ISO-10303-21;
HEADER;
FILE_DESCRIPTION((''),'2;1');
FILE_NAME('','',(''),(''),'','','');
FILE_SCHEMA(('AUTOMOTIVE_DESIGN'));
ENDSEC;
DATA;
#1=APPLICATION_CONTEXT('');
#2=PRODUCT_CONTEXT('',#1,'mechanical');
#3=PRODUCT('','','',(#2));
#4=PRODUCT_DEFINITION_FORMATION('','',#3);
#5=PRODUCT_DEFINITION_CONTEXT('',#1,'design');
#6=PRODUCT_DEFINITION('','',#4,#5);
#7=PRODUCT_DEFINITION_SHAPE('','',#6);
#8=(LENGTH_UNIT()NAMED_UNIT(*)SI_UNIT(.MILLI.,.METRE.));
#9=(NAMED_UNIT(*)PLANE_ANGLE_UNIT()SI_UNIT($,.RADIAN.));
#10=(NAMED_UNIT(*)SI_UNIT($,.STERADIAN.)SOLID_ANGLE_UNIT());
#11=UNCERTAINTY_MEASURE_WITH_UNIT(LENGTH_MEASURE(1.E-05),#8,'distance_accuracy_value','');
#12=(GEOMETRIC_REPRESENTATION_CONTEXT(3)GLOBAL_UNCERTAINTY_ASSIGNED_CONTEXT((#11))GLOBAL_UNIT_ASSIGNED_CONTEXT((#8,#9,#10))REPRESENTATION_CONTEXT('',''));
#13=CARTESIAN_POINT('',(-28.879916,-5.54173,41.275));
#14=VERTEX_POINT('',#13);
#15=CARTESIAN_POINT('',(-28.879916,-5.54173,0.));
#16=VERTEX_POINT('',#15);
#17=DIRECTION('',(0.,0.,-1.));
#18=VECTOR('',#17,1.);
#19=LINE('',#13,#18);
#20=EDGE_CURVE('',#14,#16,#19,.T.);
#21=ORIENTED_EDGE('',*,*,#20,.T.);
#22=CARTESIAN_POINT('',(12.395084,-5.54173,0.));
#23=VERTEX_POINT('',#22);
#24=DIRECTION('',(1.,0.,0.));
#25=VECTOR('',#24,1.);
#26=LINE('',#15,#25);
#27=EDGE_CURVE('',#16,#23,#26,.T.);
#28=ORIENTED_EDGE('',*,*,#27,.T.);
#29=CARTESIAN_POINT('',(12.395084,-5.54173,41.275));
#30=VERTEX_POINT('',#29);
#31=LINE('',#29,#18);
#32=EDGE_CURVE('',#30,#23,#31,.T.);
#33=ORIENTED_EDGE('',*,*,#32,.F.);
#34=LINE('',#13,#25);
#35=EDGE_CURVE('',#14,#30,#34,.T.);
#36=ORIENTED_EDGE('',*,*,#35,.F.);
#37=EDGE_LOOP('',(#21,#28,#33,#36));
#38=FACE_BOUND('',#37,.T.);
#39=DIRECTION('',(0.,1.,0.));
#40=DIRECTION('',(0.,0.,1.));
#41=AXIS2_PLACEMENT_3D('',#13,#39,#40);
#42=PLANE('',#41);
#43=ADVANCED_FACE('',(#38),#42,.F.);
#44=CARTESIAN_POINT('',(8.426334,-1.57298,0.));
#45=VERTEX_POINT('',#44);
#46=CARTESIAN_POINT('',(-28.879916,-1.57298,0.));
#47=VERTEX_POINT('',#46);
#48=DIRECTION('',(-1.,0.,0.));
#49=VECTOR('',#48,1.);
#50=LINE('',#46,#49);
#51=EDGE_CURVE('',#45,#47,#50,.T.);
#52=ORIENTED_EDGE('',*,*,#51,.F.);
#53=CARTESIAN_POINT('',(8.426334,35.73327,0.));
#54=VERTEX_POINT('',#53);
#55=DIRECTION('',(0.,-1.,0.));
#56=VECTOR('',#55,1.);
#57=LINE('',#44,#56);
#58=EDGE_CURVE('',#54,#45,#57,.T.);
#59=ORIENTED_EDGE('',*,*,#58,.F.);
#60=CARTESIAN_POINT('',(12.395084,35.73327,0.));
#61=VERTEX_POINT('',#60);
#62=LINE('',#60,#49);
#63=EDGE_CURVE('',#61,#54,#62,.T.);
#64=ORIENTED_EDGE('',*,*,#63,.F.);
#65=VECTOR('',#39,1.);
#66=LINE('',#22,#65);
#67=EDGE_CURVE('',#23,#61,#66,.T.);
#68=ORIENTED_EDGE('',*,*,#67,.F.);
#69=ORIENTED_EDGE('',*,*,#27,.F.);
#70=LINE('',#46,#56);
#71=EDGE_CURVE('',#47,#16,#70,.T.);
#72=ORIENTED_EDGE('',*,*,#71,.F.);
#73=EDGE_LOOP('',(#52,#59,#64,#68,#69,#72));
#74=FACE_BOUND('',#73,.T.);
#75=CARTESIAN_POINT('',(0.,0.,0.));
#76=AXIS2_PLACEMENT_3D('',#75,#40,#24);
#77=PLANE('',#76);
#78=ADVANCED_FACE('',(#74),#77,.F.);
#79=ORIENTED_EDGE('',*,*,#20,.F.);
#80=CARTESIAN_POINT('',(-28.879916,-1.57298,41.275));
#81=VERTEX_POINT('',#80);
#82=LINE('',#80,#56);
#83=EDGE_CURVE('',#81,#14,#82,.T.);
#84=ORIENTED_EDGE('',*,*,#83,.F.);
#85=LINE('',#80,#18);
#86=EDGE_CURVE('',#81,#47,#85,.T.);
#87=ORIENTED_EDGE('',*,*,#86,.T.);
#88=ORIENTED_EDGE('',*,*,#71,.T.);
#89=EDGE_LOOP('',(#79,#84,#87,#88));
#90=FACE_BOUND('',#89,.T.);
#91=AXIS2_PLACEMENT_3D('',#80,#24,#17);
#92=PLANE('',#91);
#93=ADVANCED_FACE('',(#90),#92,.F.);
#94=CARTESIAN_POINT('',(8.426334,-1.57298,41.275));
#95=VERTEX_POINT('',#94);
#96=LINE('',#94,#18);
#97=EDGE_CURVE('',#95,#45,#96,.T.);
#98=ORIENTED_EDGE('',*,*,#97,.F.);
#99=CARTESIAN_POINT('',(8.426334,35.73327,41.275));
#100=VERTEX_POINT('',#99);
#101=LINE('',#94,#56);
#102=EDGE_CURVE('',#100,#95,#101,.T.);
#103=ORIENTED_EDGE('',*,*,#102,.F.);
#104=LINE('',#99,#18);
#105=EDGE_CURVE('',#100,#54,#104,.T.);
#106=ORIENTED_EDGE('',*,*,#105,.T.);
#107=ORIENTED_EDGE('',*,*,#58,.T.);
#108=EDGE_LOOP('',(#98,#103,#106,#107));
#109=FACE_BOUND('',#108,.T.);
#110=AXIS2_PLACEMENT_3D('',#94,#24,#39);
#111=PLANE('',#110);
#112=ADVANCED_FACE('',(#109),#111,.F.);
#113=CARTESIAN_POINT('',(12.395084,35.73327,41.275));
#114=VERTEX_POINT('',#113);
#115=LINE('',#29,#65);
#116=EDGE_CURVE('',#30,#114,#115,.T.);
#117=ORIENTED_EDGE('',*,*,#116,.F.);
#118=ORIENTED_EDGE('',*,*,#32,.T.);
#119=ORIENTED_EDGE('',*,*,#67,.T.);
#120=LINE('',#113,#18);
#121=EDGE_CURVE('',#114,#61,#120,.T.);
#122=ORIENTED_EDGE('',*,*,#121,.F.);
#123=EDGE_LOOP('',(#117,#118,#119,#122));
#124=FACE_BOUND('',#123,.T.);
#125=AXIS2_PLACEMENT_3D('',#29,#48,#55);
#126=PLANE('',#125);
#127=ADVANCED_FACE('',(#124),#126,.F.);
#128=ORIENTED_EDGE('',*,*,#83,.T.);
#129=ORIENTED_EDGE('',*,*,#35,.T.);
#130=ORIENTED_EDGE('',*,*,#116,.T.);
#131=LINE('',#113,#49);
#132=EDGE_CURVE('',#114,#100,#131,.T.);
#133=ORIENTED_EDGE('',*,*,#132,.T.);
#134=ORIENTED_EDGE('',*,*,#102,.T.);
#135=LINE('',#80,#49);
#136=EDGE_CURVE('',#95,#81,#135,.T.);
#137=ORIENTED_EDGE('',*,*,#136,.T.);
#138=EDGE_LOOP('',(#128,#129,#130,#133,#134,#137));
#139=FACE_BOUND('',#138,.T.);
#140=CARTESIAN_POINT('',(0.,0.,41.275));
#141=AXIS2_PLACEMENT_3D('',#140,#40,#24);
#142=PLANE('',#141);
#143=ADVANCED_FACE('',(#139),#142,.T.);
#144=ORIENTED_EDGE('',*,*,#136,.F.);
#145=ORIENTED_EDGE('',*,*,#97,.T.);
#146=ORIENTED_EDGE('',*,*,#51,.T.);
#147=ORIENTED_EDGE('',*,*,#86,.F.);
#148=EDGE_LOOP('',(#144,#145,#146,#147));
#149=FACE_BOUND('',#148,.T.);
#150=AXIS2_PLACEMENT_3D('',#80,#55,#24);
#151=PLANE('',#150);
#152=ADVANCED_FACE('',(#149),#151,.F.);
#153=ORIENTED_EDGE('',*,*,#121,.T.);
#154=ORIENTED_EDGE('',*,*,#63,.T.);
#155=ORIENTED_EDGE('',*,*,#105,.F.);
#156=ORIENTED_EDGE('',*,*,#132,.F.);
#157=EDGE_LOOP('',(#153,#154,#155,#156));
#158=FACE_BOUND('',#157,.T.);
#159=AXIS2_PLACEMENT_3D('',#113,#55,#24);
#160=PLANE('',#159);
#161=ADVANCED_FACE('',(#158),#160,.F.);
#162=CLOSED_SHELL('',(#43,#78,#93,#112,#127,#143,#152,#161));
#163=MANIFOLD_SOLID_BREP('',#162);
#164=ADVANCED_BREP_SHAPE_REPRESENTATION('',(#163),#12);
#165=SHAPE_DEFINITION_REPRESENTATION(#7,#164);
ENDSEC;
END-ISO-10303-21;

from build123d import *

# Parameters (mm, degrees)
BOSS_EXTRUDE1_DEPTH = 41.275


with BuildPart() as part:
    # Sketch1 → Boss-Extrude1 (new body)
    with BuildSketch(Plane.XY):
        Polygon((-28.879916159, -5.541730183), (12.395083841, -5.541730183), (12.395083841, 35.733269817), (8.426333841, 35.733269817), (8.426333841, -1.572980183), (-28.879916159, -1.572980183), align=None)
    extrude(amount=BOSS_EXTRUDE1_DEPTH)


solid = part.part
